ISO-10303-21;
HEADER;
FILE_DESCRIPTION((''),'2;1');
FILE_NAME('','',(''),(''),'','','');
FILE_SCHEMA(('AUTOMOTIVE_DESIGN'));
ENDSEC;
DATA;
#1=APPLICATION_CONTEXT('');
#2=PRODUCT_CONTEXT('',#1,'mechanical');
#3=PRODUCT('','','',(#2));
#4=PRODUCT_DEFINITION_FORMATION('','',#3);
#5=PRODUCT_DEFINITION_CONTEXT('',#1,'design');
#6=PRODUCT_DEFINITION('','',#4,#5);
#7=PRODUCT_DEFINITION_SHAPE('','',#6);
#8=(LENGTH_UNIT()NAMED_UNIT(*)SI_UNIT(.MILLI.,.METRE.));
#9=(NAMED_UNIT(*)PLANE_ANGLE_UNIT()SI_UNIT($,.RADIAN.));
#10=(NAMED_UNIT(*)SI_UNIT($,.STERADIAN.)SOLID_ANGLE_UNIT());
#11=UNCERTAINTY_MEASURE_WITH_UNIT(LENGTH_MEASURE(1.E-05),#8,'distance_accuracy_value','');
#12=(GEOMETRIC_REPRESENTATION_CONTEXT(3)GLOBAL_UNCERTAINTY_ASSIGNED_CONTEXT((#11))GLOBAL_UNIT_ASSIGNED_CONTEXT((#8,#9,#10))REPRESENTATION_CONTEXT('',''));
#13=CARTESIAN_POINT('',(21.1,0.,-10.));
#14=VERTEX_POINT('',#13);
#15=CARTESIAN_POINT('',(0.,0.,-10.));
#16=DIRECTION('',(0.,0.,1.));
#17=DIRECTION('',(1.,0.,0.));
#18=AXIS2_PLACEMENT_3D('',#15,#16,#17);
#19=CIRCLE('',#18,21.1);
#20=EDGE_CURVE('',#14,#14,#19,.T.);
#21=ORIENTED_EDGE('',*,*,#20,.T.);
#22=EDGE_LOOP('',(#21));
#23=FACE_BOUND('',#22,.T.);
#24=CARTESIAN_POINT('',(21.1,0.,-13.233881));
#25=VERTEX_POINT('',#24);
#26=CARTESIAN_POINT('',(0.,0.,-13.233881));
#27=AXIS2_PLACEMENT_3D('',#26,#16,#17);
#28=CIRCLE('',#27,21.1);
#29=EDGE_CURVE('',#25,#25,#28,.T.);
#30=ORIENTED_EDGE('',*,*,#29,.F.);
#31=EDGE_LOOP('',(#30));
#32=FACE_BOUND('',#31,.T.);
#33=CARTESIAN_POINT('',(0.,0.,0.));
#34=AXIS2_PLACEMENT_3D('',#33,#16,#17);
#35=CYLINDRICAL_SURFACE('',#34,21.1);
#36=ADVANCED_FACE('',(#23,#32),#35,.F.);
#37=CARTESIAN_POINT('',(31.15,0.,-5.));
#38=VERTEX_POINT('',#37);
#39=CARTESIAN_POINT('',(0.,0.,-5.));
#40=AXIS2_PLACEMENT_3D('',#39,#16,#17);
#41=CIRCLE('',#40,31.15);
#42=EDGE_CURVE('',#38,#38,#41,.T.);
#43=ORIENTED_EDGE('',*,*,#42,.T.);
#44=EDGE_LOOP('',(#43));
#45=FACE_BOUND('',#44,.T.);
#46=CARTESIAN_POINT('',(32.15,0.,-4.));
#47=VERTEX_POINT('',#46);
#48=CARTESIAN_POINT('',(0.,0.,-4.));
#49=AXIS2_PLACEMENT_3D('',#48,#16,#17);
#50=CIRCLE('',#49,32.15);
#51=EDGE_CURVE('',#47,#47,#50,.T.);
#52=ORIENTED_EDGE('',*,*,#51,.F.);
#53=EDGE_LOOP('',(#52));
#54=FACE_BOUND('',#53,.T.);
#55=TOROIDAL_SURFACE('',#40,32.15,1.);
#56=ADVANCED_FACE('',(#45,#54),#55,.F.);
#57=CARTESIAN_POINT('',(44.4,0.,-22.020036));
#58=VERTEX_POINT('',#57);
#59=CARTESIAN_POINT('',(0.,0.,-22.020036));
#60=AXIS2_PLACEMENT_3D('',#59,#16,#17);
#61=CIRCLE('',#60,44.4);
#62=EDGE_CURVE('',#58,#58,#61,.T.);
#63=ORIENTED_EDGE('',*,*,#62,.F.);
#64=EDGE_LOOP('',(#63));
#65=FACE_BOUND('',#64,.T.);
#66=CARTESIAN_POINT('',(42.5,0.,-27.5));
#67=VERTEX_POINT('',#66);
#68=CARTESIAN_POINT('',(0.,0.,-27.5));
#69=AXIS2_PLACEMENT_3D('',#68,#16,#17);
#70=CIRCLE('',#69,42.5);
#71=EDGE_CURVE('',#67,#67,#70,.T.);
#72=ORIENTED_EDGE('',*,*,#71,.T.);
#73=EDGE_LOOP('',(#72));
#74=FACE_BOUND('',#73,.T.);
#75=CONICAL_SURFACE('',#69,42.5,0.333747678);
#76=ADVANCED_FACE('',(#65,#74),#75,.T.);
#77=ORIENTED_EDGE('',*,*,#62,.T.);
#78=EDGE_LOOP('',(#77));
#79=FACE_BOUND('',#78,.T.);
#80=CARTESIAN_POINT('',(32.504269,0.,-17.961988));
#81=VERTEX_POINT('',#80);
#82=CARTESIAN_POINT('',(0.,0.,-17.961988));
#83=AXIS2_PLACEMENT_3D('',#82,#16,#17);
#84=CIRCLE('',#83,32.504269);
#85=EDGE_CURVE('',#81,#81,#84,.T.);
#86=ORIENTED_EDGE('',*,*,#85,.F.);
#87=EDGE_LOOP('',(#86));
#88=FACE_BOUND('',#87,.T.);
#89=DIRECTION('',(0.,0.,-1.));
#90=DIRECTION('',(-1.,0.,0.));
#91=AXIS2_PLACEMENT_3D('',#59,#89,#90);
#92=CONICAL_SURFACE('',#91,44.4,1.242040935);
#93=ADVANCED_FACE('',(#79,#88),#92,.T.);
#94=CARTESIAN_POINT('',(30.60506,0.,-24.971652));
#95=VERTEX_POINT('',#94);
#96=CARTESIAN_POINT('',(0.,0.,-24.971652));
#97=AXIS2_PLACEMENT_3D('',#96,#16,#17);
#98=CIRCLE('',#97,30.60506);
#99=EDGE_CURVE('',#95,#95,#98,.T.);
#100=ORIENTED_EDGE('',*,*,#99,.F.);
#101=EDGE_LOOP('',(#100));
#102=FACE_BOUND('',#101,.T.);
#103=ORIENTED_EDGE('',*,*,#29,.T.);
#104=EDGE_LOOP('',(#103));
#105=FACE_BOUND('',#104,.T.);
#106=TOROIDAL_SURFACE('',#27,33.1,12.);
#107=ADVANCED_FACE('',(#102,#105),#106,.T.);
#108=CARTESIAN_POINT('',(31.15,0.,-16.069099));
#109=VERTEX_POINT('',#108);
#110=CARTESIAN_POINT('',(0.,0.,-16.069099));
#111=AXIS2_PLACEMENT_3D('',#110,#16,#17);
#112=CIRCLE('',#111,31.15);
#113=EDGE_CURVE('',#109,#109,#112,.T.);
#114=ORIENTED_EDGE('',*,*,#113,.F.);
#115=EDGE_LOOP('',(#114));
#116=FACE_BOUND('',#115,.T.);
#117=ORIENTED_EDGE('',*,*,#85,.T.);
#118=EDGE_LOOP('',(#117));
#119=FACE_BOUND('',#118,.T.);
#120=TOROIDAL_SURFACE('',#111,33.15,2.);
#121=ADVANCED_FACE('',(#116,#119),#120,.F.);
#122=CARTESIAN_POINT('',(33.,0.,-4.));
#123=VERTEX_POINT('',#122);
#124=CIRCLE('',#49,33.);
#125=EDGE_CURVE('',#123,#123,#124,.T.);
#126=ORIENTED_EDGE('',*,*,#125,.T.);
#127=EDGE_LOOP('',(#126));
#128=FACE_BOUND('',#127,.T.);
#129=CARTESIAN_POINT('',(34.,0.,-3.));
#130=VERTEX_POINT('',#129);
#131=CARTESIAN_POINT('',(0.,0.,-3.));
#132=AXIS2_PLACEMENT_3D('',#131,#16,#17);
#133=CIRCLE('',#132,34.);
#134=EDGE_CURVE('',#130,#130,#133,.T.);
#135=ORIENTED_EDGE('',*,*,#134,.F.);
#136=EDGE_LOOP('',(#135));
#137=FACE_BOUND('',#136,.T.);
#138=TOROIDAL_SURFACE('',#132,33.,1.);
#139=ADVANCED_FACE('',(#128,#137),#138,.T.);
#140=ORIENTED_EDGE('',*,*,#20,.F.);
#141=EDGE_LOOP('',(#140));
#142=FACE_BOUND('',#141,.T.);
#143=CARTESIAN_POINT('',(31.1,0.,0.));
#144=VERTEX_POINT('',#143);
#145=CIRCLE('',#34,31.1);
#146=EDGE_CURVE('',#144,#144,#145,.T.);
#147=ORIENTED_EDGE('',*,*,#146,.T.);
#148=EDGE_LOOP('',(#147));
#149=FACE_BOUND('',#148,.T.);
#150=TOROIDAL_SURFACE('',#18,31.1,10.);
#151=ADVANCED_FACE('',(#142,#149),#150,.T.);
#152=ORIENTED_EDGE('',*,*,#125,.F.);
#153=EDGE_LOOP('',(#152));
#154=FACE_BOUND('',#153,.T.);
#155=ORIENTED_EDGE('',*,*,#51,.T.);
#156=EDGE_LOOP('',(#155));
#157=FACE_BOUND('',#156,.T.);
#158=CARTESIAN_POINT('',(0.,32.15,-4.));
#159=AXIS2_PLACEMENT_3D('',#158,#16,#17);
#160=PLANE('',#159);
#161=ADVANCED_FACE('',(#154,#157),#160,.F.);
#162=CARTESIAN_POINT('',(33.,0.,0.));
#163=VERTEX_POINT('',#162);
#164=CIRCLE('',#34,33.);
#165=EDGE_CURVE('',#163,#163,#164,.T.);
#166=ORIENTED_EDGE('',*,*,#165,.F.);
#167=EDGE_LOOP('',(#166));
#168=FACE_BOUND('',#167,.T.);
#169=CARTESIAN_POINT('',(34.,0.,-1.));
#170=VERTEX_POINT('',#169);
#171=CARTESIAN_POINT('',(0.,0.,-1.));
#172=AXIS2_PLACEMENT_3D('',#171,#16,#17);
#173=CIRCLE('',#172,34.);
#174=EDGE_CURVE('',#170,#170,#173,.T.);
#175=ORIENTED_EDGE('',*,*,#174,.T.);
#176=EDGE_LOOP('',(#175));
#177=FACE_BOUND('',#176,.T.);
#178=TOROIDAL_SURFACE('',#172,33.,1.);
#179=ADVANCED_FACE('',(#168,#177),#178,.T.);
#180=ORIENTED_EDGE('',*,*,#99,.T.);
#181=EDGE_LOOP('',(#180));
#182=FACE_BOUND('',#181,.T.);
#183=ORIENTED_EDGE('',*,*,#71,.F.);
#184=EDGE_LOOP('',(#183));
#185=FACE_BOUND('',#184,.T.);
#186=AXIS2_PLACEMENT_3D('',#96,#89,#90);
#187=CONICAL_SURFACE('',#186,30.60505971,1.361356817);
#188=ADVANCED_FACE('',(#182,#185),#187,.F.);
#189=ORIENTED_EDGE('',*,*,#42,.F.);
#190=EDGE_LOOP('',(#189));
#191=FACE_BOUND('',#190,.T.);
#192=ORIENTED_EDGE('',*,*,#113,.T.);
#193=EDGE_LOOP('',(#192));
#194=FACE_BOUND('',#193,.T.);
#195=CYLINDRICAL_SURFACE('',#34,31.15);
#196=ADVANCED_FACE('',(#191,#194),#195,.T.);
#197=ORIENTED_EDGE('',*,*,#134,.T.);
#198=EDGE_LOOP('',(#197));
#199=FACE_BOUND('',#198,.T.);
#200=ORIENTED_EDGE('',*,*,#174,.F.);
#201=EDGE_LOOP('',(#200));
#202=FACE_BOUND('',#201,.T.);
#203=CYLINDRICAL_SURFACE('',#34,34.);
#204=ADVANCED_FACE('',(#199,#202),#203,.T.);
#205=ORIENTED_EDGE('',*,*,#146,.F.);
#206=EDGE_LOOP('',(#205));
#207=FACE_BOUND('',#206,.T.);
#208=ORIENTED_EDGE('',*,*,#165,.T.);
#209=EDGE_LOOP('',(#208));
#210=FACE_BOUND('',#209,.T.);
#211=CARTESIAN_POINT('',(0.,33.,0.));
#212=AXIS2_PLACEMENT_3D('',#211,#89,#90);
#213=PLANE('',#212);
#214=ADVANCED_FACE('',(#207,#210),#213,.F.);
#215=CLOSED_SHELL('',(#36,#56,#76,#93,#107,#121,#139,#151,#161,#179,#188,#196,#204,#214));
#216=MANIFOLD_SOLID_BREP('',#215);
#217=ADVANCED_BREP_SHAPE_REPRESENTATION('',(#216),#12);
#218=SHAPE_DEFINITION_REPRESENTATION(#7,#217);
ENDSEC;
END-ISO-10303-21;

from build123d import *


with BuildPart() as part:
    # Sketch1 → Revolve1 (revolve)
    with BuildSketch(Plane(origin=(0, 0, 0), x_dir=(0, 0, -1), z_dir=(1, 0, 0)), mode=Mode.PRIVATE) as revolve1_sk:
        with BuildLine():
            Line((0, 33), (0, 31.1))
            ThreePointArc((0, 31.1), (2.928932188, 24.028932188), (10, 21.1))
            Line((10, 21.1), (13.233881182, 21.1))
            ThreePointArc((13.233881182, 21.1), (20.785725875, 23.774248463), (24.971652391, 30.60505971))
            Line((24.971652391, 30.60505971), (27.5, 42.5))
            Line((27.5, 42.5), (22.020036496, 44.4))
            Line((22.020036496, 44.4), (17.961988444, 32.504269348))
            ThreePointArc((17.961988444, 32.504269348), (17.232829398, 31.523429789), (16.069098609, 31.15))
            Line((16.069098609, 31.15), (5, 31.15))
            ThreePointArc((5, 31.15), (4.292893219, 31.442893219), (4, 32.15))
            Line((4, 32.15), (4, 33))
            ThreePointArc((4, 33), (3.707106781, 33.707106781), (3, 34))
            Line((3, 34), (1, 34))
            ThreePointArc((1, 34), (0.292893219, 33.707106781), (0, 33))
        make_face()
    revolve(revolve1_sk.sketch.rotate(Axis((0, 0, 0), (0, 0, -1)), 90), axis=Axis((0, 0, 0), (0, 0, -1)))


solid = part.part
